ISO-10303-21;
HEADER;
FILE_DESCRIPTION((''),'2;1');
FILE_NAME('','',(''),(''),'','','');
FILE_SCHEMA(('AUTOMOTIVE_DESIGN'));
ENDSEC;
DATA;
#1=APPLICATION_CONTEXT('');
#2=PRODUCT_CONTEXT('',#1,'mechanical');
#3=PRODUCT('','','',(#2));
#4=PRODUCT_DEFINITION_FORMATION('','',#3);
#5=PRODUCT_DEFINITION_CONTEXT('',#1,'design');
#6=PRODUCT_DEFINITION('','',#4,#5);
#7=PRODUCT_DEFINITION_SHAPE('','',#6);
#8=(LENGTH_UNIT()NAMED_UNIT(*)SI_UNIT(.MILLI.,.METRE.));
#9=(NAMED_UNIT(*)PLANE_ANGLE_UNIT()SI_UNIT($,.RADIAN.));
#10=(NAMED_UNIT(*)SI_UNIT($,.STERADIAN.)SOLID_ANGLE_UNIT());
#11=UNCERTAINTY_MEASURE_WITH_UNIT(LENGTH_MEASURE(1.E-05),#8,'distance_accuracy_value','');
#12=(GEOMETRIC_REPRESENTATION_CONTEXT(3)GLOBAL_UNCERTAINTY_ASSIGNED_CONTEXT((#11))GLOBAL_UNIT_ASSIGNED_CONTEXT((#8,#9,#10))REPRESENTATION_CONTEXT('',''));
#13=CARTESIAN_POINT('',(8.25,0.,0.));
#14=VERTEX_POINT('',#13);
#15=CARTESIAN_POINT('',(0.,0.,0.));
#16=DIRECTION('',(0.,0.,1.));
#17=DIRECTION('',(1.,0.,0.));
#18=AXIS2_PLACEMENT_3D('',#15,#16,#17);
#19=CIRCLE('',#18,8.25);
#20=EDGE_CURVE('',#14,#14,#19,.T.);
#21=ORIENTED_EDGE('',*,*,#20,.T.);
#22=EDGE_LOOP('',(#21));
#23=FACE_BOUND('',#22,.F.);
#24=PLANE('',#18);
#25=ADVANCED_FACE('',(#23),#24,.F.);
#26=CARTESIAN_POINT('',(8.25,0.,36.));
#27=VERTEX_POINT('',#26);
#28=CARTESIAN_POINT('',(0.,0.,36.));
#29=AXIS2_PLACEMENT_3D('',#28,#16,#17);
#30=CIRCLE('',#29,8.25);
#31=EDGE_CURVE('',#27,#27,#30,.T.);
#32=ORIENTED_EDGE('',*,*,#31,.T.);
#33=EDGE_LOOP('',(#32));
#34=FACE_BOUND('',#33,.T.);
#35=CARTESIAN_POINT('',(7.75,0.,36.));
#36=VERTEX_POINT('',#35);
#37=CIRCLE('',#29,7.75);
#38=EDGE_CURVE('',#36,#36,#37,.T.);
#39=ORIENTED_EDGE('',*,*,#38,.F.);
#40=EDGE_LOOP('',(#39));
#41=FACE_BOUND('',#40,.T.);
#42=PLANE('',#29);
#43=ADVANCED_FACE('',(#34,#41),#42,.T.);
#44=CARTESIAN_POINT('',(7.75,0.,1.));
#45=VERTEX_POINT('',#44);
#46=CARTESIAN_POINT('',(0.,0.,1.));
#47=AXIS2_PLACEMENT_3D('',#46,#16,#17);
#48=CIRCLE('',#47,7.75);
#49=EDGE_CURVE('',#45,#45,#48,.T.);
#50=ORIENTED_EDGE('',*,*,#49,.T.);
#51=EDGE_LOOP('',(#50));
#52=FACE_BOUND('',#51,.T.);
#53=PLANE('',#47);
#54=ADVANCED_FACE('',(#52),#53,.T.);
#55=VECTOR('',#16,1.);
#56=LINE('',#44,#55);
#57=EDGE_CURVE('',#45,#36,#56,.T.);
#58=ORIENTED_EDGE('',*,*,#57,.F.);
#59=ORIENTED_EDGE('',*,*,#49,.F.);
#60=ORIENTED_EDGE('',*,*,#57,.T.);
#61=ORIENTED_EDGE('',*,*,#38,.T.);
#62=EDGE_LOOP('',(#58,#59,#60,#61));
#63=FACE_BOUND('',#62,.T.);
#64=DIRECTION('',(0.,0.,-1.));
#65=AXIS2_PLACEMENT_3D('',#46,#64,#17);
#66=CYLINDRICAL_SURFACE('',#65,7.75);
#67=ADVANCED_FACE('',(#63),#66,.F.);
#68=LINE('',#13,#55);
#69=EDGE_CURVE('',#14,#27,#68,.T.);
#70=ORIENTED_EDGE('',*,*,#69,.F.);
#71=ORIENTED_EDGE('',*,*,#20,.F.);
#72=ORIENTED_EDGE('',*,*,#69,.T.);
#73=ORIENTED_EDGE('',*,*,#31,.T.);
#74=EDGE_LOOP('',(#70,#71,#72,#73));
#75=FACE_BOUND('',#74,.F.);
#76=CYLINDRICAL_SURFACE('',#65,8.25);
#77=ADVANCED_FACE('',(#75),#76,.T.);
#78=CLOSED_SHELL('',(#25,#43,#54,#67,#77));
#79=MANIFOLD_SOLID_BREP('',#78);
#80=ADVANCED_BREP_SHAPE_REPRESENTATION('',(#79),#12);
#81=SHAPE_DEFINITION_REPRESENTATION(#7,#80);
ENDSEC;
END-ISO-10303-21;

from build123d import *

# Parameters (mm, degrees)
SKETCH_R      = 8.25
PAD_DEPTH     = 1
SKETCH001_R   = 8.25
SKETCH001_R_2 = 7.75
PAD001_DEPTH  = 35


with BuildPart() as part:
    # Sketch → Pad (new body)
    with BuildSketch(Plane.XY):
        Circle(SKETCH_R)
    extrude(amount=PAD_DEPTH)

    # Sketch001 (on Face3 of Pad) → Pad001 (join)
    with BuildSketch(Plane.XY.offset(1)):
        Circle(SKETCH001_R)
        Circle(SKETCH001_R_2, mode=Mode.SUBTRACT)
    extrude(amount=PAD001_DEPTH)


solid = part.part
